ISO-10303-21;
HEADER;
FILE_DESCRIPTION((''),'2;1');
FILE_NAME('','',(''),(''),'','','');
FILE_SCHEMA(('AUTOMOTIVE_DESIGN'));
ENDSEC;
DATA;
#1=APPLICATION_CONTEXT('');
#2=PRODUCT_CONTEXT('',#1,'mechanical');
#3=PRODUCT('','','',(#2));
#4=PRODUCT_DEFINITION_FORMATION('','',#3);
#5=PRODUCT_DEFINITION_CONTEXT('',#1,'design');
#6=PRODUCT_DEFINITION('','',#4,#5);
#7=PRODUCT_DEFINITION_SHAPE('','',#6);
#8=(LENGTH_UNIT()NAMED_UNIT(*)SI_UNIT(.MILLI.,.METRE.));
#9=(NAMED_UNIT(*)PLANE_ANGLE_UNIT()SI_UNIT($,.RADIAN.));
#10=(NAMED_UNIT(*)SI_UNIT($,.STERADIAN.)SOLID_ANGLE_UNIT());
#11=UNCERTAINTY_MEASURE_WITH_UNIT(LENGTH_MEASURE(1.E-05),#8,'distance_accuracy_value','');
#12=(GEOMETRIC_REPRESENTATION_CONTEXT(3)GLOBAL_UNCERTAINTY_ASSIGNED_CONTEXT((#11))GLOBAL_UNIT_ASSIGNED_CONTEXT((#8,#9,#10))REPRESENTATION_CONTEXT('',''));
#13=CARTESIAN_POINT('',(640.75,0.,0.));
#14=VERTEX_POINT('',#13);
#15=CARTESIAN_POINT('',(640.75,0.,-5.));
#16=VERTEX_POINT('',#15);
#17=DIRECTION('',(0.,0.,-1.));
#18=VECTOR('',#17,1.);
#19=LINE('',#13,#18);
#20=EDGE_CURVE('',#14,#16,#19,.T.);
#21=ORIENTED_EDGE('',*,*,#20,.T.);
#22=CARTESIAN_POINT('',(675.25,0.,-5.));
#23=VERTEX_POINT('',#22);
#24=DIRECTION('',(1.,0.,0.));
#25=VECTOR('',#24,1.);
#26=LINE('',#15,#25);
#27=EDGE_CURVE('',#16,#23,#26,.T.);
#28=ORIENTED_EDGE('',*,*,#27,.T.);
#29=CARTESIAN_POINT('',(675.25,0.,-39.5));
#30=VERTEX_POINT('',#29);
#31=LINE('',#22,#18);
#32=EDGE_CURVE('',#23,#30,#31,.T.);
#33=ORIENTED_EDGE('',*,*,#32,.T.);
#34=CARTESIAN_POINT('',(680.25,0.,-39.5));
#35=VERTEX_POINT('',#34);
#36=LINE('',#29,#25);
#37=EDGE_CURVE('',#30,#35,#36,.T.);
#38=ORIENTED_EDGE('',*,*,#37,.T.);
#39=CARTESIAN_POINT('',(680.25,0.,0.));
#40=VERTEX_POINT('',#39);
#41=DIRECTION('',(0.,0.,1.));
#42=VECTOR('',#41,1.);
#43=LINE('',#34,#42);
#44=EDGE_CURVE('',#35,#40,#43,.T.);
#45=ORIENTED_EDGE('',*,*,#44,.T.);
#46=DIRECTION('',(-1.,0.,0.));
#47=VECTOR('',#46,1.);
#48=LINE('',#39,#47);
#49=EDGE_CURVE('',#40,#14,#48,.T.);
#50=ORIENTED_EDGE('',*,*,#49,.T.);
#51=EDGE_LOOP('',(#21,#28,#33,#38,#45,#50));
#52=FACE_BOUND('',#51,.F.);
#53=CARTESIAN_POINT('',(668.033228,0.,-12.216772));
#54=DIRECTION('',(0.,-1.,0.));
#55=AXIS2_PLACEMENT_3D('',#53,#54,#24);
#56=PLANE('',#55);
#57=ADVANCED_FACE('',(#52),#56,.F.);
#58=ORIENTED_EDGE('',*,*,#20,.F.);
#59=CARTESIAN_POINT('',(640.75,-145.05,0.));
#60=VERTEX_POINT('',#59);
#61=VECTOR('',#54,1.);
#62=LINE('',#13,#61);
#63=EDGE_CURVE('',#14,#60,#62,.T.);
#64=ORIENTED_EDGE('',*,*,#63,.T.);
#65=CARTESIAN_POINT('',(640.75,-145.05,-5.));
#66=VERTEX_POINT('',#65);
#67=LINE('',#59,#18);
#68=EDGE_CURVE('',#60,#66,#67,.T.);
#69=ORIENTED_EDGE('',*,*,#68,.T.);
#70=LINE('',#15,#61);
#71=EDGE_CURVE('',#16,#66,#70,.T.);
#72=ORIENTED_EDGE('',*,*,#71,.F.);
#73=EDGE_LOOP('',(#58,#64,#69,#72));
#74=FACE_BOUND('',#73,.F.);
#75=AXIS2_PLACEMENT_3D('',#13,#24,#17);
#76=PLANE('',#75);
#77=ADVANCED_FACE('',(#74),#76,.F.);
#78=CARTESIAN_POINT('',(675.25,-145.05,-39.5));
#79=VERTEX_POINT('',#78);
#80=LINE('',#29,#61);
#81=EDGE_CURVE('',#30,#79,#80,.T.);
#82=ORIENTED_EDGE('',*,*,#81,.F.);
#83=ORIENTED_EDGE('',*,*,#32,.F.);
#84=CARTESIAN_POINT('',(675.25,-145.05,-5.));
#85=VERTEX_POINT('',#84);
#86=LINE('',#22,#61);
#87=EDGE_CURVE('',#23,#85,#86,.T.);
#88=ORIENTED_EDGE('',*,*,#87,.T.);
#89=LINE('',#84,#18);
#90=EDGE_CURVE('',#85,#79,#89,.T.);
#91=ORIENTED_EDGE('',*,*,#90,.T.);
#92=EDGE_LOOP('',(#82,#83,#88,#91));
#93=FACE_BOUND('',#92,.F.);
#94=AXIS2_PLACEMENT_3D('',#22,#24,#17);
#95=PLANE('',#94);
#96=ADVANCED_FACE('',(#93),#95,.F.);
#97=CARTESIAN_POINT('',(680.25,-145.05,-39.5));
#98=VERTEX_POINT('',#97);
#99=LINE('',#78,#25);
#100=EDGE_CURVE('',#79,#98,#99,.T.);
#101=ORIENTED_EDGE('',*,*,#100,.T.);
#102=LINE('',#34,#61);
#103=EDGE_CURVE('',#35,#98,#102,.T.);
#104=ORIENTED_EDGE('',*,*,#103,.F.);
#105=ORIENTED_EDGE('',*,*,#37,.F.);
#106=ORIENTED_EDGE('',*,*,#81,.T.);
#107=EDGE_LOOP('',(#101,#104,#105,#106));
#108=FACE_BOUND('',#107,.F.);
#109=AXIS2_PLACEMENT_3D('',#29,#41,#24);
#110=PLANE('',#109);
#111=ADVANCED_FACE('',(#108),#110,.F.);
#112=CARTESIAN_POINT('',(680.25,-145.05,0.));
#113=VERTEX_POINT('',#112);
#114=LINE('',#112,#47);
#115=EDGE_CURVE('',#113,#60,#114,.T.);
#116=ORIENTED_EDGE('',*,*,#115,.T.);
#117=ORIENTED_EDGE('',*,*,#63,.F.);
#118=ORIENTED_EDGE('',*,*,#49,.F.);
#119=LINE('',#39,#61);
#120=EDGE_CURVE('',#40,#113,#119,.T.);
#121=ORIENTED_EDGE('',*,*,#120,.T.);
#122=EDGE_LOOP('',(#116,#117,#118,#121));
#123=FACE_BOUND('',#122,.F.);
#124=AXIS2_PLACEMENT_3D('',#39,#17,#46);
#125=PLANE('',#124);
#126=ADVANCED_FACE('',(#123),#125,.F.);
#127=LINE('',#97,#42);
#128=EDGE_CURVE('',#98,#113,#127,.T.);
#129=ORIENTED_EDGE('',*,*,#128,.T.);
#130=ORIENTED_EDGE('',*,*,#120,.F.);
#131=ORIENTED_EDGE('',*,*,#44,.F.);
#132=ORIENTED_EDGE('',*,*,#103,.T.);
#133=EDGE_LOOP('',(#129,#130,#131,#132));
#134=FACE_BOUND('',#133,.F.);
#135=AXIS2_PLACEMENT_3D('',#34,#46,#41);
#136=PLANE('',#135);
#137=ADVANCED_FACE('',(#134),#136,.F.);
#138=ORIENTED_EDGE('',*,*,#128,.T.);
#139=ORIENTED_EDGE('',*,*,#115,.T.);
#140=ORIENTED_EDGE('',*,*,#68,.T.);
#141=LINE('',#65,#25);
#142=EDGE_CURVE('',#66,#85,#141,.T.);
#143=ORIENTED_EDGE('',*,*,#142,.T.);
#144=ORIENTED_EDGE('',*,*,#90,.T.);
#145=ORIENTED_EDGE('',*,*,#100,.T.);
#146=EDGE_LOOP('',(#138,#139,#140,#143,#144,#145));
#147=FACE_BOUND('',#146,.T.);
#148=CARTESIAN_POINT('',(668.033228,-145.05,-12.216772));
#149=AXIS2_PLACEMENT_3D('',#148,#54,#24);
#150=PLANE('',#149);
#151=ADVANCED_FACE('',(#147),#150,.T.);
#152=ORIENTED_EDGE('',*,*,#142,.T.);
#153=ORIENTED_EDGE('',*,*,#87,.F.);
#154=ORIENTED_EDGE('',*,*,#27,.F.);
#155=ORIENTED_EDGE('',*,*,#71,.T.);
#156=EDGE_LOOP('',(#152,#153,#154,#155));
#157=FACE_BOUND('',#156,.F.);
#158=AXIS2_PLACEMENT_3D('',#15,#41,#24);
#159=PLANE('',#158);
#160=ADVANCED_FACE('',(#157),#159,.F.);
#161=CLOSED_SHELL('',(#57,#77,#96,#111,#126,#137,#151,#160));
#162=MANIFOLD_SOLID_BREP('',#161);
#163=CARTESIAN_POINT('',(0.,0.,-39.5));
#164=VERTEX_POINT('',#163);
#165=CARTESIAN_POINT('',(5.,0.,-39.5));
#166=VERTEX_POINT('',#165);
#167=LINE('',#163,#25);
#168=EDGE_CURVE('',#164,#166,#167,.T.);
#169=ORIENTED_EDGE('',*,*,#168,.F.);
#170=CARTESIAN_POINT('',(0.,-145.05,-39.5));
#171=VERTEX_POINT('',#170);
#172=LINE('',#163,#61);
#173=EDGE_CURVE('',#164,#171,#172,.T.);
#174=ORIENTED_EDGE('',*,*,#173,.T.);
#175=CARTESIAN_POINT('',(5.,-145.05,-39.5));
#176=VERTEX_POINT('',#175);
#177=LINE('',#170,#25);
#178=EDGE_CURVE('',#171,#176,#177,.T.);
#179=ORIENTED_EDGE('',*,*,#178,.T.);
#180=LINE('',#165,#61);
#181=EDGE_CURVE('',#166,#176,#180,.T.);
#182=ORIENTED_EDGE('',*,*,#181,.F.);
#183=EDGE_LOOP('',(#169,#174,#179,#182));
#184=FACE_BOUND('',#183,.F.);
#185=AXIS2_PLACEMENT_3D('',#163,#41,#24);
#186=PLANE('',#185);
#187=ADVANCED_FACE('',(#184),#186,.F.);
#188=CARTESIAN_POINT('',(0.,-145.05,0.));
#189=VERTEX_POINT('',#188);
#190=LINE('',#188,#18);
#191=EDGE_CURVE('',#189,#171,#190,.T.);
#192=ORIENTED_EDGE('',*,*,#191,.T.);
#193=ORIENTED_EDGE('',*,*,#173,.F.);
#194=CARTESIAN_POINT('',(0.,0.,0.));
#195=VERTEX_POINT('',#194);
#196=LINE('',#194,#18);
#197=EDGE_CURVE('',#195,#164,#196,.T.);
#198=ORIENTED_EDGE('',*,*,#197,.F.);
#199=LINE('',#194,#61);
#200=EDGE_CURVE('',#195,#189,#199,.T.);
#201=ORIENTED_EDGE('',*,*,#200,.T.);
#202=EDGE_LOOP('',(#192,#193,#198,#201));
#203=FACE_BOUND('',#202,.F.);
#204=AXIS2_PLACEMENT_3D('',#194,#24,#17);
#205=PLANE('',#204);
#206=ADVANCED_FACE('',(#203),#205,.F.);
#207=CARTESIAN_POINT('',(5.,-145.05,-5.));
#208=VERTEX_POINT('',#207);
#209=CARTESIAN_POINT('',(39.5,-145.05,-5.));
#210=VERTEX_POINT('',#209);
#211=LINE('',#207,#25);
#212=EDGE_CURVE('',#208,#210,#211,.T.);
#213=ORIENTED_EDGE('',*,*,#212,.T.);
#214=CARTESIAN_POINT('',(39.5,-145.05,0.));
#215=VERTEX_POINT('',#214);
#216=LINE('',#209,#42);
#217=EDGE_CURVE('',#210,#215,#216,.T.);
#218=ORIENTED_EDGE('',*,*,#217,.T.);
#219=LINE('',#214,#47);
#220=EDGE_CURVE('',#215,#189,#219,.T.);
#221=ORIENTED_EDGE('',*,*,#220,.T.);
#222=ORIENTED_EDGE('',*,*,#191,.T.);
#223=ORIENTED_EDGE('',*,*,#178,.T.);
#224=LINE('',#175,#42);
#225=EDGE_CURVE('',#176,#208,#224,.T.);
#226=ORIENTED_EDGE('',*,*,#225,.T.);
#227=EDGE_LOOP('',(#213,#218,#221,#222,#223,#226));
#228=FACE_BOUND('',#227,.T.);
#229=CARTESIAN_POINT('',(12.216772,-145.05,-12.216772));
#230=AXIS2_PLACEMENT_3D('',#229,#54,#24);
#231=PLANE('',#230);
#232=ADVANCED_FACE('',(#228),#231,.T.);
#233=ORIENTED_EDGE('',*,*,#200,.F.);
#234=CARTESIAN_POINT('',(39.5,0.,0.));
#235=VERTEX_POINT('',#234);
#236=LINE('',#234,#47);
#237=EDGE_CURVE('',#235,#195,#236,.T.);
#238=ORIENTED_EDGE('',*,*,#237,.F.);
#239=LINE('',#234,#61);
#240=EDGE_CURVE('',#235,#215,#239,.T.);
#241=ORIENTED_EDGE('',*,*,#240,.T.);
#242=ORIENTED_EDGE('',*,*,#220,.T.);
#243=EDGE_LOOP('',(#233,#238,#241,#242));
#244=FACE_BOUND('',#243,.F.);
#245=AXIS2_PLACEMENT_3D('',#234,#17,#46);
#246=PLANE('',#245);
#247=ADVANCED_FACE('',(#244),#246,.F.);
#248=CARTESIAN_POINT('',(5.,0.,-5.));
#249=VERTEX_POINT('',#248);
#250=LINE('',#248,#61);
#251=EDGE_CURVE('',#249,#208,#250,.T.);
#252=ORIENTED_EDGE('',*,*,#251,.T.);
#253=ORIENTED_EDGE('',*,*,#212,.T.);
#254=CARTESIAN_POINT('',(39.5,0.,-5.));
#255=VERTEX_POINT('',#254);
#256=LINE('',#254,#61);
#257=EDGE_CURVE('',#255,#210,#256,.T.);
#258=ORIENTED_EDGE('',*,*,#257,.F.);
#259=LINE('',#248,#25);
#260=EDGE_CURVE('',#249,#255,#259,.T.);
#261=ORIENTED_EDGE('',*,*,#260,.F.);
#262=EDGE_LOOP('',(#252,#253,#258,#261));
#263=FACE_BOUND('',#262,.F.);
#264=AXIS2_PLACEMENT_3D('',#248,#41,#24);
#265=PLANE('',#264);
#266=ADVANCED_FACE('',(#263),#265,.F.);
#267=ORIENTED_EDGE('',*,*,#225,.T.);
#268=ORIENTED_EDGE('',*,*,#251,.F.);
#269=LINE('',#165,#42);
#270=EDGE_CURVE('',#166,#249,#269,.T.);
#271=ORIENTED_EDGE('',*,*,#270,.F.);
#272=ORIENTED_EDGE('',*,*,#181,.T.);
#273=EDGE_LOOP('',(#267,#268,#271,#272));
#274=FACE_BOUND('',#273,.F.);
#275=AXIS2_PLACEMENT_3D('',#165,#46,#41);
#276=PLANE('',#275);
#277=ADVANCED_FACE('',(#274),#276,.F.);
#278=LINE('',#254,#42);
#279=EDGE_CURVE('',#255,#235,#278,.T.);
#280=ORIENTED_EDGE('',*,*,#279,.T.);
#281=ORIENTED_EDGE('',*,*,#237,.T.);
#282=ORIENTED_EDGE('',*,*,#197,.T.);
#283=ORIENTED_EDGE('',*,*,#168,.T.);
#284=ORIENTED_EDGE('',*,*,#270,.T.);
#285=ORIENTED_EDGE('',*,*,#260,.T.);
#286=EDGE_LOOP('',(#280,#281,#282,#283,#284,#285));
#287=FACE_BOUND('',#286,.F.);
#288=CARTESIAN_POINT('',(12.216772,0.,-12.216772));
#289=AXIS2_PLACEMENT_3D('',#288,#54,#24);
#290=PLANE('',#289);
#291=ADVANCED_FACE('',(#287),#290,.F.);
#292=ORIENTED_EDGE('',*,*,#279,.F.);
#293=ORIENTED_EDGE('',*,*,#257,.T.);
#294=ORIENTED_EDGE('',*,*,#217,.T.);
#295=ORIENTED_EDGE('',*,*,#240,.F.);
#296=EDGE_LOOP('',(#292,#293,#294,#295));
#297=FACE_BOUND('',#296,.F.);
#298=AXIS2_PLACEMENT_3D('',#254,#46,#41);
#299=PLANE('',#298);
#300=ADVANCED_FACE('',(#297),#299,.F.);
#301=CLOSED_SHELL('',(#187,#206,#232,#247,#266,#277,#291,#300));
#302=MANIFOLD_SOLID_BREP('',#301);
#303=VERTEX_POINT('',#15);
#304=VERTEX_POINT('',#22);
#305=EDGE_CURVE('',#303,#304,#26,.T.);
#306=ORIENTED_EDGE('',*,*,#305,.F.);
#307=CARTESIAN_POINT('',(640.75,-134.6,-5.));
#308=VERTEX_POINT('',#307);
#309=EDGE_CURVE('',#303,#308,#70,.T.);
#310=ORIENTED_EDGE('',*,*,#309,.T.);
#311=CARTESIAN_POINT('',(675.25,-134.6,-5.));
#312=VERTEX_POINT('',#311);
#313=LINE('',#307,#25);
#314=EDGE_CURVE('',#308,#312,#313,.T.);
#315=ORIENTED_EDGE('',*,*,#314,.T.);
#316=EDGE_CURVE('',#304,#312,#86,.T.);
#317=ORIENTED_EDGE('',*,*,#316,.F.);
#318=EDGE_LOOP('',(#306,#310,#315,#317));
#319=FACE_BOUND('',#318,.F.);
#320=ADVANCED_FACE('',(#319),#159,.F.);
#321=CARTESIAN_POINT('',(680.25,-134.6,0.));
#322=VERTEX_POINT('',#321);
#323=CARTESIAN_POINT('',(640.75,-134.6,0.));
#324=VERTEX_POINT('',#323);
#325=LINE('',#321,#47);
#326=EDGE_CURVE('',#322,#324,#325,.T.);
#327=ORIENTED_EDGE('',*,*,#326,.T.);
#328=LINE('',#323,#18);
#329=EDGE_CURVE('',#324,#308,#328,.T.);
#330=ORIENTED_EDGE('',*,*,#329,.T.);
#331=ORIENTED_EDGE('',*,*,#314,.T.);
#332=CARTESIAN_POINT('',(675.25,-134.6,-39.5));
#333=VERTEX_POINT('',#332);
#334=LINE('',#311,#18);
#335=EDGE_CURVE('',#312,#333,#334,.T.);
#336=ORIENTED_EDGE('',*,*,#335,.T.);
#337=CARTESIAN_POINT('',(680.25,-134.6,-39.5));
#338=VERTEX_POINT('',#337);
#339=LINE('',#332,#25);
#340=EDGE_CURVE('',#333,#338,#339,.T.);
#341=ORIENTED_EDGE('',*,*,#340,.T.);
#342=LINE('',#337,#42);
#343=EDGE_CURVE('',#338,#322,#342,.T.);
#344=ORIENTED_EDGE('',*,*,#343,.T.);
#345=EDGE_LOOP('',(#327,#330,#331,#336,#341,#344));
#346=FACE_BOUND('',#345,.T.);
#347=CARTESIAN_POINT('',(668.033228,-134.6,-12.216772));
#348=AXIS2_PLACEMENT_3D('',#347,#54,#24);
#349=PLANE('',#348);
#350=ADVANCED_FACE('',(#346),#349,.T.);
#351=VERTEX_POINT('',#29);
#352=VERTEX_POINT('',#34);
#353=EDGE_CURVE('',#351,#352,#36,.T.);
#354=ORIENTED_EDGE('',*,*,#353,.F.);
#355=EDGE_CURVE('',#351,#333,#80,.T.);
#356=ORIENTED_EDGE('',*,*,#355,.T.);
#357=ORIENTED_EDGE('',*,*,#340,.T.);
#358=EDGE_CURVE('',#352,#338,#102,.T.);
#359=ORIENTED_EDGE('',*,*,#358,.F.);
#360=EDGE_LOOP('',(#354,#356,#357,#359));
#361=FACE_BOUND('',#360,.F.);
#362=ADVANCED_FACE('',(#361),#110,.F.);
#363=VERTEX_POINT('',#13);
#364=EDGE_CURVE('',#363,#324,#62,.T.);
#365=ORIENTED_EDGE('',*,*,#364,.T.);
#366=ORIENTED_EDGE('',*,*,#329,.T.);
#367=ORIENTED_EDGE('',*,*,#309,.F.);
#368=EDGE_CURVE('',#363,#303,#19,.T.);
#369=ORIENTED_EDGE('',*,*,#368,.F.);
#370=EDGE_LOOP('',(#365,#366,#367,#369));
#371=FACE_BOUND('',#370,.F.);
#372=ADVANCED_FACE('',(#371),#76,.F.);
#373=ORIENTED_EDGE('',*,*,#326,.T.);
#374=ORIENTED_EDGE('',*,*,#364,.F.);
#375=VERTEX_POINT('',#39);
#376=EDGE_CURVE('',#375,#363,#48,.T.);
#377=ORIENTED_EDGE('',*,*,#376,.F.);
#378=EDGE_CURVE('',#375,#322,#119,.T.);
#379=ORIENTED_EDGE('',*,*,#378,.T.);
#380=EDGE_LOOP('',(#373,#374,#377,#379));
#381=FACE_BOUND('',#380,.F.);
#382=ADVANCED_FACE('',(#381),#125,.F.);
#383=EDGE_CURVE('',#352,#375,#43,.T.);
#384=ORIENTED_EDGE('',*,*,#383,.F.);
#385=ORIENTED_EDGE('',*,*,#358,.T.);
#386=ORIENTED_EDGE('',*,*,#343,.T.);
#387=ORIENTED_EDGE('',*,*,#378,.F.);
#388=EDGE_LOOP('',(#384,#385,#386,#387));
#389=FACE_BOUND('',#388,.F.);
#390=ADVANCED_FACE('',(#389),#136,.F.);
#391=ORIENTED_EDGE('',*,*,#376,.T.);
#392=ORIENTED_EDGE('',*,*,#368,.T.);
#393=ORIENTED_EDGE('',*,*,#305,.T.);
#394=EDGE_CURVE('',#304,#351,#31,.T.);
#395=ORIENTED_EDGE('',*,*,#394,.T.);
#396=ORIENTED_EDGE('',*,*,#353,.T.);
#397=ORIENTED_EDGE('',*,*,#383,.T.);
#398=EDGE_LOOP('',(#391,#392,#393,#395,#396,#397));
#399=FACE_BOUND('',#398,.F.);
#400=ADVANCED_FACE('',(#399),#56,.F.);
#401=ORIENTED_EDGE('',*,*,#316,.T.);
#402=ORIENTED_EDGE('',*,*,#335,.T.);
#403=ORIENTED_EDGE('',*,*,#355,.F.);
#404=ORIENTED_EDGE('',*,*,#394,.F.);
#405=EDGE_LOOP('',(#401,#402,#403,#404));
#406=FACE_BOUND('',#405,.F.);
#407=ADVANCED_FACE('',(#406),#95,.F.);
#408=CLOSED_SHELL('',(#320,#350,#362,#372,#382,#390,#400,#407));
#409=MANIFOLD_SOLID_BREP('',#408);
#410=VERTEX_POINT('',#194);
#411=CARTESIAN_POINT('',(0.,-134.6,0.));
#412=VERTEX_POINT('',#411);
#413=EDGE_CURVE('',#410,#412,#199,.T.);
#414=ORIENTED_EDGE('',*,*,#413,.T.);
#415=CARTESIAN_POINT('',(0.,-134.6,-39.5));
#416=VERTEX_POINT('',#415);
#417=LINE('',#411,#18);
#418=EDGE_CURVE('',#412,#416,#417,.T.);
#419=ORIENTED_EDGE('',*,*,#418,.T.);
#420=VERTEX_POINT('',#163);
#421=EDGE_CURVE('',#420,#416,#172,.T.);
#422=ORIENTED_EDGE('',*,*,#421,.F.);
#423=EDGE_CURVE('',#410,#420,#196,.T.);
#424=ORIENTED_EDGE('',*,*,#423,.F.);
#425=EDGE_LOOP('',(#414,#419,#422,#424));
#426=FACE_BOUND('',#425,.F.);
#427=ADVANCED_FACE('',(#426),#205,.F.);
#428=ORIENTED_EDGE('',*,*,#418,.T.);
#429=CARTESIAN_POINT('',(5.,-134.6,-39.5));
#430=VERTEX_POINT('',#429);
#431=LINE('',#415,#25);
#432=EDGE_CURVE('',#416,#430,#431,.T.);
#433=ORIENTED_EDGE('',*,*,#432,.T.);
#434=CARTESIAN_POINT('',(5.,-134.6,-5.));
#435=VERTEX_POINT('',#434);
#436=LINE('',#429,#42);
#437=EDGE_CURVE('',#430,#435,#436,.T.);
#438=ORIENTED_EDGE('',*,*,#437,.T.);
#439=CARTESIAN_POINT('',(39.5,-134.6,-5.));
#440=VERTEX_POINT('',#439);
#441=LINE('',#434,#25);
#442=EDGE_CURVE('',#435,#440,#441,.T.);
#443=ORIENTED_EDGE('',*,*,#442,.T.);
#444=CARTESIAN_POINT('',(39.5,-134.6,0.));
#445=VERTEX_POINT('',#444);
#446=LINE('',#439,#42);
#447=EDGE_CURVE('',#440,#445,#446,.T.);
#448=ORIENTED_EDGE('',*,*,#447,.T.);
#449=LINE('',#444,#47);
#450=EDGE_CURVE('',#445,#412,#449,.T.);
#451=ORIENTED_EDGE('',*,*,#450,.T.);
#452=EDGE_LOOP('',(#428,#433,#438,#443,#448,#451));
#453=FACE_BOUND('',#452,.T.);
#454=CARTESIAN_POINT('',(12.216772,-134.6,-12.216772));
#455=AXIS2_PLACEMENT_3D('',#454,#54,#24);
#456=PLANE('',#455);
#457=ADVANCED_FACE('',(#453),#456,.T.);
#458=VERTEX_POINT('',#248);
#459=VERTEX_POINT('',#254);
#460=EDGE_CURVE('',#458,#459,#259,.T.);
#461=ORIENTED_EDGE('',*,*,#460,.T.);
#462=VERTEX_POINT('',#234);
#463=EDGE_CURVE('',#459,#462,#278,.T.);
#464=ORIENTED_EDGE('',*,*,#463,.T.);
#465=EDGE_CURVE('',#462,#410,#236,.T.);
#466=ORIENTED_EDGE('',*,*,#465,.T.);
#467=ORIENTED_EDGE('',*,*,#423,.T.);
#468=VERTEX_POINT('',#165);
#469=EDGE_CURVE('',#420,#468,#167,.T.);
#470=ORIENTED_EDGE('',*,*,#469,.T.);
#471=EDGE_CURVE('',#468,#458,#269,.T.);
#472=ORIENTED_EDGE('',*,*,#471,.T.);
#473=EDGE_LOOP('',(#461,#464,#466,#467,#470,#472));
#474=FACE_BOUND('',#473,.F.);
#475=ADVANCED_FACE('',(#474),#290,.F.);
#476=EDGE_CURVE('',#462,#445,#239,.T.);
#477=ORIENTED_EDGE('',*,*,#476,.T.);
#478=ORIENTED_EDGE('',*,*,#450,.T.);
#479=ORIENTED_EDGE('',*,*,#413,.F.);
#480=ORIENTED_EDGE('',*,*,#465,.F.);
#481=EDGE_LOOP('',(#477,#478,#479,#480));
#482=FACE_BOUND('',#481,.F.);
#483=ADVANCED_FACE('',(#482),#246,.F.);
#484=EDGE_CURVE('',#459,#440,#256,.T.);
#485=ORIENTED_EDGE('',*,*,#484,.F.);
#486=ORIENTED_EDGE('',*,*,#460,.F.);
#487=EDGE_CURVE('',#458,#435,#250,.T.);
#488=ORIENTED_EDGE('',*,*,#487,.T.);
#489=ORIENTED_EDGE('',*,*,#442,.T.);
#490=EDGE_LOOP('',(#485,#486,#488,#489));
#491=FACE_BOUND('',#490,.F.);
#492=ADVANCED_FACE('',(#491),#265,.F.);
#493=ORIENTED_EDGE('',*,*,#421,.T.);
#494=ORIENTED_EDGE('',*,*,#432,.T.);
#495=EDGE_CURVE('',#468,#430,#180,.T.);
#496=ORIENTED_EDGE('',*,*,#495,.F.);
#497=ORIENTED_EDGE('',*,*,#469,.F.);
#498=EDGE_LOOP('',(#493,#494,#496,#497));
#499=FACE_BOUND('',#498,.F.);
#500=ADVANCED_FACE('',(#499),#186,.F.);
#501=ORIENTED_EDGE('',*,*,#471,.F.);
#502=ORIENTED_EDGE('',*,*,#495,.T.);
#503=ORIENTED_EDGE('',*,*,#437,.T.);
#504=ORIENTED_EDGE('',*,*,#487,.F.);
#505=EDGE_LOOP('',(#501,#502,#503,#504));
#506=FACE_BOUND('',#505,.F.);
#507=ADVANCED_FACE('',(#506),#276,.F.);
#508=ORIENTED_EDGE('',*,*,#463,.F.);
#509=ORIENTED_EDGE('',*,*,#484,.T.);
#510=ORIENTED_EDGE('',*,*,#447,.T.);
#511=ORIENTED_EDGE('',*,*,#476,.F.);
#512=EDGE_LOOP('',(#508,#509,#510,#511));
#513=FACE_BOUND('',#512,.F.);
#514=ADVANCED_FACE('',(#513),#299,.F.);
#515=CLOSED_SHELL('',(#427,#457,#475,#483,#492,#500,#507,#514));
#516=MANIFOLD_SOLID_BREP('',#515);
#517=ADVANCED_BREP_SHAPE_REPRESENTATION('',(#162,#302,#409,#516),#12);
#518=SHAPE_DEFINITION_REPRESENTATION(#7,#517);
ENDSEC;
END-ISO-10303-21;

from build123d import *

# Parameters (mm, degrees)
F1_DEPTH = 145.05
F2_DEPTH = 134.6


with BuildPart() as f1:
    # F0 (on Front) → F1 (new body)
    with BuildSketch(Plane.XZ):
        Polygon((39.5, 0), (0, 0), (0, -39.5), (5, -39.5), (5, -5), (39.5, -5), align=None)
        Polygon((680.25, -39.5), (680.25, 0), (640.75, 0), (640.75, -5), (675.25, -5), (675.25, -39.5), align=None)
    extrude(amount=F1_DEPTH)


with BuildPart() as f2:
    # F0 (on Front) → F2 (new body)
    with BuildSketch(Plane.XZ):
        Polygon((39.5, 0), (0, 0), (0, -39.5), (5, -39.5), (5, -5), (39.5, -5), align=None)
        Polygon((680.25, -39.5), (680.25, 0), (640.75, 0), (640.75, -5), (675.25, -5), (675.25, -39.5), align=None)
    extrude(amount=F2_DEPTH)


solid = Compound([f1.part, f2.part])
